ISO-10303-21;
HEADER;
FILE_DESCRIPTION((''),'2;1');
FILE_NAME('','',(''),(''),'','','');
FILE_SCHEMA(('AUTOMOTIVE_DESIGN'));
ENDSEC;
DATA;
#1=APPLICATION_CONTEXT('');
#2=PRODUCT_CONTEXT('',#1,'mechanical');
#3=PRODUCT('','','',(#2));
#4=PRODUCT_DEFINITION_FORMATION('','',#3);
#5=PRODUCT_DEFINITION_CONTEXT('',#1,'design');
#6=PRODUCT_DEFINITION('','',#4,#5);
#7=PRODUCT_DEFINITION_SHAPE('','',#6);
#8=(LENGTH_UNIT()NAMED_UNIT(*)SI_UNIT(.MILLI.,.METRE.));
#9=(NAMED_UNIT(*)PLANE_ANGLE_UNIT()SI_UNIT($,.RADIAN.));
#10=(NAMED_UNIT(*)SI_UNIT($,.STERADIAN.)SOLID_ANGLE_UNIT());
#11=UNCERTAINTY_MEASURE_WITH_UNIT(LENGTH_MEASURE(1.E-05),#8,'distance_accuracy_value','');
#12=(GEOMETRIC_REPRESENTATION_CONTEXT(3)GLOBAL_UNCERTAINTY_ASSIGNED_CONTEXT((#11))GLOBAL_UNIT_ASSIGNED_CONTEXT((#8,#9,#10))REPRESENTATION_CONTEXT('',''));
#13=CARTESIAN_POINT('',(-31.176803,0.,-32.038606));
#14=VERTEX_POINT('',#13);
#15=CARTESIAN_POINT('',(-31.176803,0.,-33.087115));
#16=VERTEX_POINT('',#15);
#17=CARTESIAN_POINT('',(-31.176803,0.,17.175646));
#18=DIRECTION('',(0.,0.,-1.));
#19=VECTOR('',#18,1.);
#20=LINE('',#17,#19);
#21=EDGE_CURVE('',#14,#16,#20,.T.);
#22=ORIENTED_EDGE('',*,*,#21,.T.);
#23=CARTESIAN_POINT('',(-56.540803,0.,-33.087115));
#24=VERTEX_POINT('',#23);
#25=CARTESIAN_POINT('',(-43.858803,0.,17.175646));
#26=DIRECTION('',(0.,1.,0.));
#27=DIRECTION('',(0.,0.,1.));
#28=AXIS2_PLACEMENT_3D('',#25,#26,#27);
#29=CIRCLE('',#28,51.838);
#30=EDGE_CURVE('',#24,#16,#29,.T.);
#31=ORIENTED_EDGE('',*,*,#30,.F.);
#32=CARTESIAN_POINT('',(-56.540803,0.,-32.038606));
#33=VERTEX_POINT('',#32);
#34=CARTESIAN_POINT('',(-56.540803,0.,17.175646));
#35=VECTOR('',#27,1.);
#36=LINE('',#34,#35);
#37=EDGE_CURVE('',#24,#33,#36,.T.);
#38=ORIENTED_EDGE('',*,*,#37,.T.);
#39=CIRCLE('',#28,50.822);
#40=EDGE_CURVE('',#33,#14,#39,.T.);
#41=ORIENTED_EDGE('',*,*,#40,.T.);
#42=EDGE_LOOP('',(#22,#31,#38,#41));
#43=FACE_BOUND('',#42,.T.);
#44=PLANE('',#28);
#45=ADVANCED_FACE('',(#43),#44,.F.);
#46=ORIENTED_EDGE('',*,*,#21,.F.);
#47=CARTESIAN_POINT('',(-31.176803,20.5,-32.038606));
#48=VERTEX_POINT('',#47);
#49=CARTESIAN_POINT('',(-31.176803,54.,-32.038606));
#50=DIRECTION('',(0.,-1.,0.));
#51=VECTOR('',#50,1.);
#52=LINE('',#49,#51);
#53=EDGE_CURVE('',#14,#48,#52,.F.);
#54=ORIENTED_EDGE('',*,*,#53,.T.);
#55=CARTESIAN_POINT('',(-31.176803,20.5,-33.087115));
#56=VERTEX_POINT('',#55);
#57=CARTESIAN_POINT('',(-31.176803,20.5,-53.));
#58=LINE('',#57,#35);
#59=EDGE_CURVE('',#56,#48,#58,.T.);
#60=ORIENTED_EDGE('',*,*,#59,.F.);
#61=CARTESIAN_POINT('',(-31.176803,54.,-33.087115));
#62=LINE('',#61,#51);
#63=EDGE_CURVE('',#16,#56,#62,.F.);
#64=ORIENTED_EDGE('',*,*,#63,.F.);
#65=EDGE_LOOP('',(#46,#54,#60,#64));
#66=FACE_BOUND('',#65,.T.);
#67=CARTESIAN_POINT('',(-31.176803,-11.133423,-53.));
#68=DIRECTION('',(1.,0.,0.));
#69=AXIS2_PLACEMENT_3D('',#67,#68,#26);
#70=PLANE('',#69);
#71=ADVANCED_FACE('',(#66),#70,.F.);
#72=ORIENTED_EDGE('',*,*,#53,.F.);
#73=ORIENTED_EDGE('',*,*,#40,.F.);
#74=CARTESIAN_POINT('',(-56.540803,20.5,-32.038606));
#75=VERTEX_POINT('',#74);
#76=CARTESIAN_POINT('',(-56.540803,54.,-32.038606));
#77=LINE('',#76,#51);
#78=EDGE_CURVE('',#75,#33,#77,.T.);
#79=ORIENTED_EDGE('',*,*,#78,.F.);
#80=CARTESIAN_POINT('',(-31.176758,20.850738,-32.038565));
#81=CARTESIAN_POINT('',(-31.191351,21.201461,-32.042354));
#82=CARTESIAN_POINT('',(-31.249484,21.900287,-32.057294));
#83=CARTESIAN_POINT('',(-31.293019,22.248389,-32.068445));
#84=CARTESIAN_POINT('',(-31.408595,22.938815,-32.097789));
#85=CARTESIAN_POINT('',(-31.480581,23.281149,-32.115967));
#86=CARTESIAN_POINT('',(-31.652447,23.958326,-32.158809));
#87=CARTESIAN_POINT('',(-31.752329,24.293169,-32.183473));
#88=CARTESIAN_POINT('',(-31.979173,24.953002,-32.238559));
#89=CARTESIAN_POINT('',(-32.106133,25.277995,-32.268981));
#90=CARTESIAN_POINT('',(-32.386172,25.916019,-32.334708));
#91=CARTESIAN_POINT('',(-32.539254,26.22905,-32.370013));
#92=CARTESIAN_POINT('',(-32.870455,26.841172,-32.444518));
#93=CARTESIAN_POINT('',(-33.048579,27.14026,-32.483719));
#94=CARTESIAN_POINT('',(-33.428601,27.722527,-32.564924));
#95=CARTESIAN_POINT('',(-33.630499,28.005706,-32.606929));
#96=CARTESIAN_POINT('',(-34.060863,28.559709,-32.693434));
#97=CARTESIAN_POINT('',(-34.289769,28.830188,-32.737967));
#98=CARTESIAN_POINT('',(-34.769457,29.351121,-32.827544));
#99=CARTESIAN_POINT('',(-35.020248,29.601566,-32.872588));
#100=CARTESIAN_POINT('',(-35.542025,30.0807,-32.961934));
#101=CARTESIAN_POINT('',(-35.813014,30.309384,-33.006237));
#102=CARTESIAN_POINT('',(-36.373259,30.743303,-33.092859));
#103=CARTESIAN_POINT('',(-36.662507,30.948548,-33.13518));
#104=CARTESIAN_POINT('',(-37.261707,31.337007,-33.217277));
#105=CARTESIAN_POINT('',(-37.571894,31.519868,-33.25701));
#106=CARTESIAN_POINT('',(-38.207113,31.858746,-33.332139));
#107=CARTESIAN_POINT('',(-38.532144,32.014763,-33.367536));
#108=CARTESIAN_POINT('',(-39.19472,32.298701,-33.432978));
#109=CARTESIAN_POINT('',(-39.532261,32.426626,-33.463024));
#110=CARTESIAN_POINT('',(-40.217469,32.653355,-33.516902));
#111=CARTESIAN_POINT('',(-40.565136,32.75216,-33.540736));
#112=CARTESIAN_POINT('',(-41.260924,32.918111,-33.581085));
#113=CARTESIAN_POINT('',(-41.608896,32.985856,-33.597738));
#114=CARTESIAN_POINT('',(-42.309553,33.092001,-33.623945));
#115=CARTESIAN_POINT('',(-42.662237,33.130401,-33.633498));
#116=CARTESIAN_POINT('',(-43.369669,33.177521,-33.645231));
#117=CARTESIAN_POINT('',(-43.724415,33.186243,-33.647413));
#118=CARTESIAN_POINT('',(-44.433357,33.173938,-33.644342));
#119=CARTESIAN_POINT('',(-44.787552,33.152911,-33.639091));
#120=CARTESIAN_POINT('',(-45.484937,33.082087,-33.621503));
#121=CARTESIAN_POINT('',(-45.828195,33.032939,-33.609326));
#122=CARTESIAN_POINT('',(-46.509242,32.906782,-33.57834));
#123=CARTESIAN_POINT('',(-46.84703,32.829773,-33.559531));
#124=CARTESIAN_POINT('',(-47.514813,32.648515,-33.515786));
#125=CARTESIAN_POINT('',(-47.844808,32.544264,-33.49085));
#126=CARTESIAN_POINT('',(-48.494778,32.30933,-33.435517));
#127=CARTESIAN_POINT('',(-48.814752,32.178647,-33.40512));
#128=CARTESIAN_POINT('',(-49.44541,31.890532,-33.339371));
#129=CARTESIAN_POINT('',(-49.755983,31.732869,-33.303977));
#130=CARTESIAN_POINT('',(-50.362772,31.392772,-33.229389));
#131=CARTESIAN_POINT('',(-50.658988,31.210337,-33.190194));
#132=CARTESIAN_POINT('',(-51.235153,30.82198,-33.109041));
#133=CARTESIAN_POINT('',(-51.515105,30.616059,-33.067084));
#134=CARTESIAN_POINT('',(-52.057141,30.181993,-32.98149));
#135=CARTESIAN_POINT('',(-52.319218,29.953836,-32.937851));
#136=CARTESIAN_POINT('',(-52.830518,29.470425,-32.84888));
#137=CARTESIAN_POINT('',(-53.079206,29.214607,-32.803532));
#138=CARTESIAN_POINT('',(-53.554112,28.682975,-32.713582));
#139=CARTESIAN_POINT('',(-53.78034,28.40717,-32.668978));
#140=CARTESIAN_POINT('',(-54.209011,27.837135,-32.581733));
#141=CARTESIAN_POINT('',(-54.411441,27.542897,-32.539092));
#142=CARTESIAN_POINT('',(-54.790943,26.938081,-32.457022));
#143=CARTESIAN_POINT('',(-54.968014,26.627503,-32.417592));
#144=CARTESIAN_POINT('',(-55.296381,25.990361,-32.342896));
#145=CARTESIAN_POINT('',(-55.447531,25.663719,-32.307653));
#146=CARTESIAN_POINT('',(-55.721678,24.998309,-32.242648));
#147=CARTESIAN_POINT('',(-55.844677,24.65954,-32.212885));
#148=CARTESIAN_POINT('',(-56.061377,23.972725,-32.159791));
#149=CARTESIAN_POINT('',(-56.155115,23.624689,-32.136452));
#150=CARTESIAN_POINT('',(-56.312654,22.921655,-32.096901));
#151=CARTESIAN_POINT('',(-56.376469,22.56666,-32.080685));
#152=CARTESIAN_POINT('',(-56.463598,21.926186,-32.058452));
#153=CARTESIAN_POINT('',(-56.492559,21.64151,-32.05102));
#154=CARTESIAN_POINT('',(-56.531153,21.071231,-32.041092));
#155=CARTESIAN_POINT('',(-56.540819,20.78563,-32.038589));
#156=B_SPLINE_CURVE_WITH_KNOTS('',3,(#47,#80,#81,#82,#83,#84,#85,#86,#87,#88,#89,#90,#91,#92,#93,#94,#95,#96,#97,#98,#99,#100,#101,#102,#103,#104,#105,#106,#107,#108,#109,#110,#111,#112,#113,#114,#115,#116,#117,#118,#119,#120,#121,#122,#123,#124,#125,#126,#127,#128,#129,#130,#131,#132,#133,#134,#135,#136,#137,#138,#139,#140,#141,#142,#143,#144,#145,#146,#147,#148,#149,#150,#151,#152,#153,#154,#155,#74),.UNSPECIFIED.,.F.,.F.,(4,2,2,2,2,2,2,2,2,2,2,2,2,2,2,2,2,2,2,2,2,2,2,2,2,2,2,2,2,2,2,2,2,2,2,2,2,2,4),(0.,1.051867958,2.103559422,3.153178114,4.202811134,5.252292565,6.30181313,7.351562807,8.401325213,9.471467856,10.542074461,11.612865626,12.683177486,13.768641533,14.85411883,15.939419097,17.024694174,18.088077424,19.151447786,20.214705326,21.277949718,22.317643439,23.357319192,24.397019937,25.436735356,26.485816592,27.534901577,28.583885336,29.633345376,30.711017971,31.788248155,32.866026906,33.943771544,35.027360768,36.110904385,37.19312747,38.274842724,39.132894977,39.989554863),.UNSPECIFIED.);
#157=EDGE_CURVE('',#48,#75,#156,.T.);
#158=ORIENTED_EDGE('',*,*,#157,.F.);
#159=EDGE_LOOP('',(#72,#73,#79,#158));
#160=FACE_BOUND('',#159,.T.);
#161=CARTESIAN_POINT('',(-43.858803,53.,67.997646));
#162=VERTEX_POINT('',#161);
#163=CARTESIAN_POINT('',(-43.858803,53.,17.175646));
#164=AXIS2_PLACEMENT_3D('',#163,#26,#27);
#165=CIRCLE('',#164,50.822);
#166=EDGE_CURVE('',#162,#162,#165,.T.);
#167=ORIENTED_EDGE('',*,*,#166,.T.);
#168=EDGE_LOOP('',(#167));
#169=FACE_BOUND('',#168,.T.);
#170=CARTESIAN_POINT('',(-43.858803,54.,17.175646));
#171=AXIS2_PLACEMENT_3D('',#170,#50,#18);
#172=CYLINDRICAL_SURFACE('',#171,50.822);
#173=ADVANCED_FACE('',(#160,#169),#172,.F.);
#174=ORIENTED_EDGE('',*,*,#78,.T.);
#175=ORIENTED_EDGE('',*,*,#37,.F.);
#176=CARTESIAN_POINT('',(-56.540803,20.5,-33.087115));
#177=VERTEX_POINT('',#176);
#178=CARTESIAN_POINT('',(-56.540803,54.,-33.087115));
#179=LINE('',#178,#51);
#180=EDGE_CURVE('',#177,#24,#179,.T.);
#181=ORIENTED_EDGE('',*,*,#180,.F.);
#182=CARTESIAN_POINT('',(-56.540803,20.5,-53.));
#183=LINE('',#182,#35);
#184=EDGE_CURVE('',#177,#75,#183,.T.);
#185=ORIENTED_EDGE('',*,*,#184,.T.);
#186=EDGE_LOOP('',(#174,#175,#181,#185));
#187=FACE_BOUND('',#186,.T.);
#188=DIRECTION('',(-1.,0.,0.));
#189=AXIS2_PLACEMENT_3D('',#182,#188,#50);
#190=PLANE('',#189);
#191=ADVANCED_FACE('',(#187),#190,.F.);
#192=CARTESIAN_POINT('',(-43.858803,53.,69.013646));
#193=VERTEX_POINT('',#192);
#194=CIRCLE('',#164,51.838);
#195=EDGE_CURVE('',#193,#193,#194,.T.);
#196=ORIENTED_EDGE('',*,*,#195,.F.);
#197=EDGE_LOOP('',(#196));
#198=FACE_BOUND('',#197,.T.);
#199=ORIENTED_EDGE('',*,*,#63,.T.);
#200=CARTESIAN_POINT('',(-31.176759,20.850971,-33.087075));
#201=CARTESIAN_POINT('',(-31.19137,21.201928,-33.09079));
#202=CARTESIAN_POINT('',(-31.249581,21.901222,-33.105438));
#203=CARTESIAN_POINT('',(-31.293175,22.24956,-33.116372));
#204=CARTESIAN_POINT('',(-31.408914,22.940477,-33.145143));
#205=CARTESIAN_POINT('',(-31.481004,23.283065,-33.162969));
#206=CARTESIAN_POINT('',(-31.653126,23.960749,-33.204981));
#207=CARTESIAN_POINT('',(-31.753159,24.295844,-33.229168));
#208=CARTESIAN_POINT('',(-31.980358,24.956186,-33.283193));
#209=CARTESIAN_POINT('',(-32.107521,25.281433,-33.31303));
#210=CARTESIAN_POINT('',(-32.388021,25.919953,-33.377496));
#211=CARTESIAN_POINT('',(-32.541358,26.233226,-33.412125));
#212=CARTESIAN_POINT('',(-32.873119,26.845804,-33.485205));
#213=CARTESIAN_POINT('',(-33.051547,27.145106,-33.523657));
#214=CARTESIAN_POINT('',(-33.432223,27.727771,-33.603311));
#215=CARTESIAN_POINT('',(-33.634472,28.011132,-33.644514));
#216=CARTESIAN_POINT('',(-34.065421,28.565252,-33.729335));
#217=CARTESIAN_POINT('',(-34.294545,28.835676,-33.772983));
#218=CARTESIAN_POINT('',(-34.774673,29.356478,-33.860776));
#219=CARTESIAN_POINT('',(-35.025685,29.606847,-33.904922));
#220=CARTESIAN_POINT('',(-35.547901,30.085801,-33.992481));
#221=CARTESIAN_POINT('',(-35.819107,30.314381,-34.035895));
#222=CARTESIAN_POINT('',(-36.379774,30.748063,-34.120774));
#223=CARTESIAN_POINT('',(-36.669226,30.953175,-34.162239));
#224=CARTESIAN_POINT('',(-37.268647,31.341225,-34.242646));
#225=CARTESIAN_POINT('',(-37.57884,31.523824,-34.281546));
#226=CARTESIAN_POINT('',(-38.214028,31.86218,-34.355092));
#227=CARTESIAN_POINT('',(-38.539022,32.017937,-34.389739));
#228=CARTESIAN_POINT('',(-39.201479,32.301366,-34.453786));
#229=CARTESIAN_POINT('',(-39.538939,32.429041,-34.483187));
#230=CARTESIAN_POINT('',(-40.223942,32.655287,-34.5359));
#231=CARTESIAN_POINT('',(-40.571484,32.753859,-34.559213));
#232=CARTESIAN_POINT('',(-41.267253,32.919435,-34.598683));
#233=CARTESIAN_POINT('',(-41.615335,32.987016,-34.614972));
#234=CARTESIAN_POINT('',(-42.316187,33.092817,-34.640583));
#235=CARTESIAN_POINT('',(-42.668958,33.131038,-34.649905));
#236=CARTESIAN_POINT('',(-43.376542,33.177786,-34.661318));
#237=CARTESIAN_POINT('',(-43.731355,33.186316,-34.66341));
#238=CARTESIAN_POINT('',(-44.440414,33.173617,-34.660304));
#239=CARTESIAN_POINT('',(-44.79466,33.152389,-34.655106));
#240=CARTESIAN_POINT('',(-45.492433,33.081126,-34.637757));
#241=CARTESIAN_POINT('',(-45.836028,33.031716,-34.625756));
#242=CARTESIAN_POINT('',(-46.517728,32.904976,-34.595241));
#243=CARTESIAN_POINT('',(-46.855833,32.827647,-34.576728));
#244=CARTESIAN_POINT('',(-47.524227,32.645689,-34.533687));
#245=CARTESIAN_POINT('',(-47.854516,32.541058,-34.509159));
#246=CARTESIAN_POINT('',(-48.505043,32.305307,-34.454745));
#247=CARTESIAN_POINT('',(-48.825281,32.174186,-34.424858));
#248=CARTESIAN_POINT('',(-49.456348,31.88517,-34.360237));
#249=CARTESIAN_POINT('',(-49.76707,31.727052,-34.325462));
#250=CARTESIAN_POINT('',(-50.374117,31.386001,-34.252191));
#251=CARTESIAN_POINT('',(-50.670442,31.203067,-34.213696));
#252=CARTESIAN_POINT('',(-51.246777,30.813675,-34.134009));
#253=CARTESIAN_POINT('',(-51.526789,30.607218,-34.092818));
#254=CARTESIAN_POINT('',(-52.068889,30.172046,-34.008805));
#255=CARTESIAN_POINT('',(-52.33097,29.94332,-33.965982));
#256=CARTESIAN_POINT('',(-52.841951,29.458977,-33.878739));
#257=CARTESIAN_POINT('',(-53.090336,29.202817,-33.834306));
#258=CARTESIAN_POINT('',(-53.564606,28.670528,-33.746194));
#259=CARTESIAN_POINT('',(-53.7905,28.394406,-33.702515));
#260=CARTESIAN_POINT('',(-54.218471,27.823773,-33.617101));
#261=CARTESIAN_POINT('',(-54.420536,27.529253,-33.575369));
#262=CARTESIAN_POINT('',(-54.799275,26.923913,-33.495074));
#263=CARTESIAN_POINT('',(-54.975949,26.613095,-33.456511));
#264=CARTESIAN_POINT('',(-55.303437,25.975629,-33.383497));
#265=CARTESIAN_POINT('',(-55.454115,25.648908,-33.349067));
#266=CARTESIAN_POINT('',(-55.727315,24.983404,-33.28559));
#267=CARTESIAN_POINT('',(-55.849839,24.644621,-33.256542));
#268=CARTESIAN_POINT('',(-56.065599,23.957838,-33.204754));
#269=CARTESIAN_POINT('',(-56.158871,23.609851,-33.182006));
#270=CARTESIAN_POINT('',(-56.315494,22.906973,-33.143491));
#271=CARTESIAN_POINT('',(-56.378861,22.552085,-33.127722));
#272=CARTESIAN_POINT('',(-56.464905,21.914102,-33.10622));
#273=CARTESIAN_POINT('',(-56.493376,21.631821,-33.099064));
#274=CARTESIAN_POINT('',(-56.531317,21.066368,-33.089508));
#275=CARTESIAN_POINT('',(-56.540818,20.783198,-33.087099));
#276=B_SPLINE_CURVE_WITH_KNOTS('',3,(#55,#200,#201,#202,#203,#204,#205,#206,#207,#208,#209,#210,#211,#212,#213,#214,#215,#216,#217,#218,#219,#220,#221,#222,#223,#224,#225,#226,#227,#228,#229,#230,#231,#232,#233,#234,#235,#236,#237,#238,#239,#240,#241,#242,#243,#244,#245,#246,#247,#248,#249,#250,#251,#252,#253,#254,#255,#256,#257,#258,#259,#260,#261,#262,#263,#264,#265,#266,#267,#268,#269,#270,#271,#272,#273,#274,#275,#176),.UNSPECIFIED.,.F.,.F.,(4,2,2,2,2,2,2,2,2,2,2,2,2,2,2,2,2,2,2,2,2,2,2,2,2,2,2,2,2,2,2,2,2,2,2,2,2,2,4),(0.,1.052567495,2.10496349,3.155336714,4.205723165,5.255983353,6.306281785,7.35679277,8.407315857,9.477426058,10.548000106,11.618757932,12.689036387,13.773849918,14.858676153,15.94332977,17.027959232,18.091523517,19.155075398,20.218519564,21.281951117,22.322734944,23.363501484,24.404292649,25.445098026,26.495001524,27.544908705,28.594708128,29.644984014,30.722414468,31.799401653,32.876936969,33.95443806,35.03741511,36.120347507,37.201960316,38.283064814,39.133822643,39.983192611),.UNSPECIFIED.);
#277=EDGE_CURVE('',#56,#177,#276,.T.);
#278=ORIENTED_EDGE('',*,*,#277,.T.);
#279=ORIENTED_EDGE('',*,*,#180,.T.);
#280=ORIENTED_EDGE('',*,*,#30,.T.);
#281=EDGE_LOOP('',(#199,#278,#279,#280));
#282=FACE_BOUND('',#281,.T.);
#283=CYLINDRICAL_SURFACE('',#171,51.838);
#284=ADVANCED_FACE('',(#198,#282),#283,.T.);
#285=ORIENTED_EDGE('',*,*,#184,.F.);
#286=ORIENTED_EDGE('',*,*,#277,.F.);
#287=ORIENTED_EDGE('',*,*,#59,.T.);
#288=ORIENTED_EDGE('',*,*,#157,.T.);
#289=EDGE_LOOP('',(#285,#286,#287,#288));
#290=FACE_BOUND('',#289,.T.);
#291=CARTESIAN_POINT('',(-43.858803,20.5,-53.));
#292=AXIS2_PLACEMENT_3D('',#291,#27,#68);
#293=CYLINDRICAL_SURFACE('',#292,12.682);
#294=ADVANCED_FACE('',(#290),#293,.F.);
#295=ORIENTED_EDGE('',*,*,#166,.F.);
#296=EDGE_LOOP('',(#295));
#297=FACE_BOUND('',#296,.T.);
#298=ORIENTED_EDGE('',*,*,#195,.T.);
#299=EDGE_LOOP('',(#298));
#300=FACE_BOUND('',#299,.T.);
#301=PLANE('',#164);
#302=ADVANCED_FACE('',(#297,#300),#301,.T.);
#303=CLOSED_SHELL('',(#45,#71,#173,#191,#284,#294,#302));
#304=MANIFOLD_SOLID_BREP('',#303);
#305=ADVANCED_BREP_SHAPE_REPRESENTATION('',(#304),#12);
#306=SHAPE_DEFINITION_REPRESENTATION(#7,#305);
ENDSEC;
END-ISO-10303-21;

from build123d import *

# Parameters (mm, degrees)
SKETCH1_R           = 51.838
SKETCH1_R_2         = 50.822
BOSS_EXTRUDE1_DEPTH = 54
CUT_EXTRUDE1_DEPTH  = 53
CUT_EXTRUDE2_START  = -1
SKETCH3_R           = 51.838
SKETCH3_R_2         = 50.822
CUT_EXTRUDE2_DEPTH  = 1


with BuildPart() as part:
    # Sketch1 → Boss-Extrude1 (new body)
    with BuildSketch(Plane(origin=(0, 0, 0), x_dir=(1, 0, 0), z_dir=(0, 1, 0))):
        with Locations(Location((-43.858802719, -17.175645915, 0), (0, 0, 270))):
            Circle(SKETCH1_R)
        with Locations(Location((-43.858802719, -17.175645915, 0), (0, 0, 270))):
            Circle(SKETCH1_R_2, mode=Mode.SUBTRACT)
    extrude(amount=BOSS_EXTRUDE1_DEPTH)

    # Sketch2 → Cut-Extrude1 (cut)
    with BuildSketch(Plane.XY):
        with BuildLine():
            Line((-56.540802719, 20.5), (-56.540802719, -11.133422885))
            Line((-56.540802719, -11.133422885), (-31.176802719, -11.133422885))
            Line((-31.176802719, -11.133422885), (-31.176802719, 20.5))
            ThreePointArc((-31.176802719, 20.5), (-43.858802719, 33.182), (-56.540802719, 20.5))
        make_face()
    extrude(amount=-CUT_EXTRUDE1_DEPTH, mode=Mode.SUBTRACT)

    # Sketch3 → Cut-Extrude2 (cut)
    with BuildSketch(Plane(origin=(0, 54, 0), x_dir=(1, 0, 0), z_dir=(0, 1, 0)).offset(CUT_EXTRUDE2_START)):
        with Locations(Location((-43.858802719, -17.175645915, 0), (0, 0, 75.839039259))):
            Circle(SKETCH3_R)
        with Locations(Location((-43.858802719, -17.175645915, 0), (0, 0, 75.54984846))):
            Circle(SKETCH3_R_2, mode=Mode.SUBTRACT)
    extrude(amount=CUT_EXTRUDE2_DEPTH, mode=Mode.SUBTRACT)


solid = part.part
